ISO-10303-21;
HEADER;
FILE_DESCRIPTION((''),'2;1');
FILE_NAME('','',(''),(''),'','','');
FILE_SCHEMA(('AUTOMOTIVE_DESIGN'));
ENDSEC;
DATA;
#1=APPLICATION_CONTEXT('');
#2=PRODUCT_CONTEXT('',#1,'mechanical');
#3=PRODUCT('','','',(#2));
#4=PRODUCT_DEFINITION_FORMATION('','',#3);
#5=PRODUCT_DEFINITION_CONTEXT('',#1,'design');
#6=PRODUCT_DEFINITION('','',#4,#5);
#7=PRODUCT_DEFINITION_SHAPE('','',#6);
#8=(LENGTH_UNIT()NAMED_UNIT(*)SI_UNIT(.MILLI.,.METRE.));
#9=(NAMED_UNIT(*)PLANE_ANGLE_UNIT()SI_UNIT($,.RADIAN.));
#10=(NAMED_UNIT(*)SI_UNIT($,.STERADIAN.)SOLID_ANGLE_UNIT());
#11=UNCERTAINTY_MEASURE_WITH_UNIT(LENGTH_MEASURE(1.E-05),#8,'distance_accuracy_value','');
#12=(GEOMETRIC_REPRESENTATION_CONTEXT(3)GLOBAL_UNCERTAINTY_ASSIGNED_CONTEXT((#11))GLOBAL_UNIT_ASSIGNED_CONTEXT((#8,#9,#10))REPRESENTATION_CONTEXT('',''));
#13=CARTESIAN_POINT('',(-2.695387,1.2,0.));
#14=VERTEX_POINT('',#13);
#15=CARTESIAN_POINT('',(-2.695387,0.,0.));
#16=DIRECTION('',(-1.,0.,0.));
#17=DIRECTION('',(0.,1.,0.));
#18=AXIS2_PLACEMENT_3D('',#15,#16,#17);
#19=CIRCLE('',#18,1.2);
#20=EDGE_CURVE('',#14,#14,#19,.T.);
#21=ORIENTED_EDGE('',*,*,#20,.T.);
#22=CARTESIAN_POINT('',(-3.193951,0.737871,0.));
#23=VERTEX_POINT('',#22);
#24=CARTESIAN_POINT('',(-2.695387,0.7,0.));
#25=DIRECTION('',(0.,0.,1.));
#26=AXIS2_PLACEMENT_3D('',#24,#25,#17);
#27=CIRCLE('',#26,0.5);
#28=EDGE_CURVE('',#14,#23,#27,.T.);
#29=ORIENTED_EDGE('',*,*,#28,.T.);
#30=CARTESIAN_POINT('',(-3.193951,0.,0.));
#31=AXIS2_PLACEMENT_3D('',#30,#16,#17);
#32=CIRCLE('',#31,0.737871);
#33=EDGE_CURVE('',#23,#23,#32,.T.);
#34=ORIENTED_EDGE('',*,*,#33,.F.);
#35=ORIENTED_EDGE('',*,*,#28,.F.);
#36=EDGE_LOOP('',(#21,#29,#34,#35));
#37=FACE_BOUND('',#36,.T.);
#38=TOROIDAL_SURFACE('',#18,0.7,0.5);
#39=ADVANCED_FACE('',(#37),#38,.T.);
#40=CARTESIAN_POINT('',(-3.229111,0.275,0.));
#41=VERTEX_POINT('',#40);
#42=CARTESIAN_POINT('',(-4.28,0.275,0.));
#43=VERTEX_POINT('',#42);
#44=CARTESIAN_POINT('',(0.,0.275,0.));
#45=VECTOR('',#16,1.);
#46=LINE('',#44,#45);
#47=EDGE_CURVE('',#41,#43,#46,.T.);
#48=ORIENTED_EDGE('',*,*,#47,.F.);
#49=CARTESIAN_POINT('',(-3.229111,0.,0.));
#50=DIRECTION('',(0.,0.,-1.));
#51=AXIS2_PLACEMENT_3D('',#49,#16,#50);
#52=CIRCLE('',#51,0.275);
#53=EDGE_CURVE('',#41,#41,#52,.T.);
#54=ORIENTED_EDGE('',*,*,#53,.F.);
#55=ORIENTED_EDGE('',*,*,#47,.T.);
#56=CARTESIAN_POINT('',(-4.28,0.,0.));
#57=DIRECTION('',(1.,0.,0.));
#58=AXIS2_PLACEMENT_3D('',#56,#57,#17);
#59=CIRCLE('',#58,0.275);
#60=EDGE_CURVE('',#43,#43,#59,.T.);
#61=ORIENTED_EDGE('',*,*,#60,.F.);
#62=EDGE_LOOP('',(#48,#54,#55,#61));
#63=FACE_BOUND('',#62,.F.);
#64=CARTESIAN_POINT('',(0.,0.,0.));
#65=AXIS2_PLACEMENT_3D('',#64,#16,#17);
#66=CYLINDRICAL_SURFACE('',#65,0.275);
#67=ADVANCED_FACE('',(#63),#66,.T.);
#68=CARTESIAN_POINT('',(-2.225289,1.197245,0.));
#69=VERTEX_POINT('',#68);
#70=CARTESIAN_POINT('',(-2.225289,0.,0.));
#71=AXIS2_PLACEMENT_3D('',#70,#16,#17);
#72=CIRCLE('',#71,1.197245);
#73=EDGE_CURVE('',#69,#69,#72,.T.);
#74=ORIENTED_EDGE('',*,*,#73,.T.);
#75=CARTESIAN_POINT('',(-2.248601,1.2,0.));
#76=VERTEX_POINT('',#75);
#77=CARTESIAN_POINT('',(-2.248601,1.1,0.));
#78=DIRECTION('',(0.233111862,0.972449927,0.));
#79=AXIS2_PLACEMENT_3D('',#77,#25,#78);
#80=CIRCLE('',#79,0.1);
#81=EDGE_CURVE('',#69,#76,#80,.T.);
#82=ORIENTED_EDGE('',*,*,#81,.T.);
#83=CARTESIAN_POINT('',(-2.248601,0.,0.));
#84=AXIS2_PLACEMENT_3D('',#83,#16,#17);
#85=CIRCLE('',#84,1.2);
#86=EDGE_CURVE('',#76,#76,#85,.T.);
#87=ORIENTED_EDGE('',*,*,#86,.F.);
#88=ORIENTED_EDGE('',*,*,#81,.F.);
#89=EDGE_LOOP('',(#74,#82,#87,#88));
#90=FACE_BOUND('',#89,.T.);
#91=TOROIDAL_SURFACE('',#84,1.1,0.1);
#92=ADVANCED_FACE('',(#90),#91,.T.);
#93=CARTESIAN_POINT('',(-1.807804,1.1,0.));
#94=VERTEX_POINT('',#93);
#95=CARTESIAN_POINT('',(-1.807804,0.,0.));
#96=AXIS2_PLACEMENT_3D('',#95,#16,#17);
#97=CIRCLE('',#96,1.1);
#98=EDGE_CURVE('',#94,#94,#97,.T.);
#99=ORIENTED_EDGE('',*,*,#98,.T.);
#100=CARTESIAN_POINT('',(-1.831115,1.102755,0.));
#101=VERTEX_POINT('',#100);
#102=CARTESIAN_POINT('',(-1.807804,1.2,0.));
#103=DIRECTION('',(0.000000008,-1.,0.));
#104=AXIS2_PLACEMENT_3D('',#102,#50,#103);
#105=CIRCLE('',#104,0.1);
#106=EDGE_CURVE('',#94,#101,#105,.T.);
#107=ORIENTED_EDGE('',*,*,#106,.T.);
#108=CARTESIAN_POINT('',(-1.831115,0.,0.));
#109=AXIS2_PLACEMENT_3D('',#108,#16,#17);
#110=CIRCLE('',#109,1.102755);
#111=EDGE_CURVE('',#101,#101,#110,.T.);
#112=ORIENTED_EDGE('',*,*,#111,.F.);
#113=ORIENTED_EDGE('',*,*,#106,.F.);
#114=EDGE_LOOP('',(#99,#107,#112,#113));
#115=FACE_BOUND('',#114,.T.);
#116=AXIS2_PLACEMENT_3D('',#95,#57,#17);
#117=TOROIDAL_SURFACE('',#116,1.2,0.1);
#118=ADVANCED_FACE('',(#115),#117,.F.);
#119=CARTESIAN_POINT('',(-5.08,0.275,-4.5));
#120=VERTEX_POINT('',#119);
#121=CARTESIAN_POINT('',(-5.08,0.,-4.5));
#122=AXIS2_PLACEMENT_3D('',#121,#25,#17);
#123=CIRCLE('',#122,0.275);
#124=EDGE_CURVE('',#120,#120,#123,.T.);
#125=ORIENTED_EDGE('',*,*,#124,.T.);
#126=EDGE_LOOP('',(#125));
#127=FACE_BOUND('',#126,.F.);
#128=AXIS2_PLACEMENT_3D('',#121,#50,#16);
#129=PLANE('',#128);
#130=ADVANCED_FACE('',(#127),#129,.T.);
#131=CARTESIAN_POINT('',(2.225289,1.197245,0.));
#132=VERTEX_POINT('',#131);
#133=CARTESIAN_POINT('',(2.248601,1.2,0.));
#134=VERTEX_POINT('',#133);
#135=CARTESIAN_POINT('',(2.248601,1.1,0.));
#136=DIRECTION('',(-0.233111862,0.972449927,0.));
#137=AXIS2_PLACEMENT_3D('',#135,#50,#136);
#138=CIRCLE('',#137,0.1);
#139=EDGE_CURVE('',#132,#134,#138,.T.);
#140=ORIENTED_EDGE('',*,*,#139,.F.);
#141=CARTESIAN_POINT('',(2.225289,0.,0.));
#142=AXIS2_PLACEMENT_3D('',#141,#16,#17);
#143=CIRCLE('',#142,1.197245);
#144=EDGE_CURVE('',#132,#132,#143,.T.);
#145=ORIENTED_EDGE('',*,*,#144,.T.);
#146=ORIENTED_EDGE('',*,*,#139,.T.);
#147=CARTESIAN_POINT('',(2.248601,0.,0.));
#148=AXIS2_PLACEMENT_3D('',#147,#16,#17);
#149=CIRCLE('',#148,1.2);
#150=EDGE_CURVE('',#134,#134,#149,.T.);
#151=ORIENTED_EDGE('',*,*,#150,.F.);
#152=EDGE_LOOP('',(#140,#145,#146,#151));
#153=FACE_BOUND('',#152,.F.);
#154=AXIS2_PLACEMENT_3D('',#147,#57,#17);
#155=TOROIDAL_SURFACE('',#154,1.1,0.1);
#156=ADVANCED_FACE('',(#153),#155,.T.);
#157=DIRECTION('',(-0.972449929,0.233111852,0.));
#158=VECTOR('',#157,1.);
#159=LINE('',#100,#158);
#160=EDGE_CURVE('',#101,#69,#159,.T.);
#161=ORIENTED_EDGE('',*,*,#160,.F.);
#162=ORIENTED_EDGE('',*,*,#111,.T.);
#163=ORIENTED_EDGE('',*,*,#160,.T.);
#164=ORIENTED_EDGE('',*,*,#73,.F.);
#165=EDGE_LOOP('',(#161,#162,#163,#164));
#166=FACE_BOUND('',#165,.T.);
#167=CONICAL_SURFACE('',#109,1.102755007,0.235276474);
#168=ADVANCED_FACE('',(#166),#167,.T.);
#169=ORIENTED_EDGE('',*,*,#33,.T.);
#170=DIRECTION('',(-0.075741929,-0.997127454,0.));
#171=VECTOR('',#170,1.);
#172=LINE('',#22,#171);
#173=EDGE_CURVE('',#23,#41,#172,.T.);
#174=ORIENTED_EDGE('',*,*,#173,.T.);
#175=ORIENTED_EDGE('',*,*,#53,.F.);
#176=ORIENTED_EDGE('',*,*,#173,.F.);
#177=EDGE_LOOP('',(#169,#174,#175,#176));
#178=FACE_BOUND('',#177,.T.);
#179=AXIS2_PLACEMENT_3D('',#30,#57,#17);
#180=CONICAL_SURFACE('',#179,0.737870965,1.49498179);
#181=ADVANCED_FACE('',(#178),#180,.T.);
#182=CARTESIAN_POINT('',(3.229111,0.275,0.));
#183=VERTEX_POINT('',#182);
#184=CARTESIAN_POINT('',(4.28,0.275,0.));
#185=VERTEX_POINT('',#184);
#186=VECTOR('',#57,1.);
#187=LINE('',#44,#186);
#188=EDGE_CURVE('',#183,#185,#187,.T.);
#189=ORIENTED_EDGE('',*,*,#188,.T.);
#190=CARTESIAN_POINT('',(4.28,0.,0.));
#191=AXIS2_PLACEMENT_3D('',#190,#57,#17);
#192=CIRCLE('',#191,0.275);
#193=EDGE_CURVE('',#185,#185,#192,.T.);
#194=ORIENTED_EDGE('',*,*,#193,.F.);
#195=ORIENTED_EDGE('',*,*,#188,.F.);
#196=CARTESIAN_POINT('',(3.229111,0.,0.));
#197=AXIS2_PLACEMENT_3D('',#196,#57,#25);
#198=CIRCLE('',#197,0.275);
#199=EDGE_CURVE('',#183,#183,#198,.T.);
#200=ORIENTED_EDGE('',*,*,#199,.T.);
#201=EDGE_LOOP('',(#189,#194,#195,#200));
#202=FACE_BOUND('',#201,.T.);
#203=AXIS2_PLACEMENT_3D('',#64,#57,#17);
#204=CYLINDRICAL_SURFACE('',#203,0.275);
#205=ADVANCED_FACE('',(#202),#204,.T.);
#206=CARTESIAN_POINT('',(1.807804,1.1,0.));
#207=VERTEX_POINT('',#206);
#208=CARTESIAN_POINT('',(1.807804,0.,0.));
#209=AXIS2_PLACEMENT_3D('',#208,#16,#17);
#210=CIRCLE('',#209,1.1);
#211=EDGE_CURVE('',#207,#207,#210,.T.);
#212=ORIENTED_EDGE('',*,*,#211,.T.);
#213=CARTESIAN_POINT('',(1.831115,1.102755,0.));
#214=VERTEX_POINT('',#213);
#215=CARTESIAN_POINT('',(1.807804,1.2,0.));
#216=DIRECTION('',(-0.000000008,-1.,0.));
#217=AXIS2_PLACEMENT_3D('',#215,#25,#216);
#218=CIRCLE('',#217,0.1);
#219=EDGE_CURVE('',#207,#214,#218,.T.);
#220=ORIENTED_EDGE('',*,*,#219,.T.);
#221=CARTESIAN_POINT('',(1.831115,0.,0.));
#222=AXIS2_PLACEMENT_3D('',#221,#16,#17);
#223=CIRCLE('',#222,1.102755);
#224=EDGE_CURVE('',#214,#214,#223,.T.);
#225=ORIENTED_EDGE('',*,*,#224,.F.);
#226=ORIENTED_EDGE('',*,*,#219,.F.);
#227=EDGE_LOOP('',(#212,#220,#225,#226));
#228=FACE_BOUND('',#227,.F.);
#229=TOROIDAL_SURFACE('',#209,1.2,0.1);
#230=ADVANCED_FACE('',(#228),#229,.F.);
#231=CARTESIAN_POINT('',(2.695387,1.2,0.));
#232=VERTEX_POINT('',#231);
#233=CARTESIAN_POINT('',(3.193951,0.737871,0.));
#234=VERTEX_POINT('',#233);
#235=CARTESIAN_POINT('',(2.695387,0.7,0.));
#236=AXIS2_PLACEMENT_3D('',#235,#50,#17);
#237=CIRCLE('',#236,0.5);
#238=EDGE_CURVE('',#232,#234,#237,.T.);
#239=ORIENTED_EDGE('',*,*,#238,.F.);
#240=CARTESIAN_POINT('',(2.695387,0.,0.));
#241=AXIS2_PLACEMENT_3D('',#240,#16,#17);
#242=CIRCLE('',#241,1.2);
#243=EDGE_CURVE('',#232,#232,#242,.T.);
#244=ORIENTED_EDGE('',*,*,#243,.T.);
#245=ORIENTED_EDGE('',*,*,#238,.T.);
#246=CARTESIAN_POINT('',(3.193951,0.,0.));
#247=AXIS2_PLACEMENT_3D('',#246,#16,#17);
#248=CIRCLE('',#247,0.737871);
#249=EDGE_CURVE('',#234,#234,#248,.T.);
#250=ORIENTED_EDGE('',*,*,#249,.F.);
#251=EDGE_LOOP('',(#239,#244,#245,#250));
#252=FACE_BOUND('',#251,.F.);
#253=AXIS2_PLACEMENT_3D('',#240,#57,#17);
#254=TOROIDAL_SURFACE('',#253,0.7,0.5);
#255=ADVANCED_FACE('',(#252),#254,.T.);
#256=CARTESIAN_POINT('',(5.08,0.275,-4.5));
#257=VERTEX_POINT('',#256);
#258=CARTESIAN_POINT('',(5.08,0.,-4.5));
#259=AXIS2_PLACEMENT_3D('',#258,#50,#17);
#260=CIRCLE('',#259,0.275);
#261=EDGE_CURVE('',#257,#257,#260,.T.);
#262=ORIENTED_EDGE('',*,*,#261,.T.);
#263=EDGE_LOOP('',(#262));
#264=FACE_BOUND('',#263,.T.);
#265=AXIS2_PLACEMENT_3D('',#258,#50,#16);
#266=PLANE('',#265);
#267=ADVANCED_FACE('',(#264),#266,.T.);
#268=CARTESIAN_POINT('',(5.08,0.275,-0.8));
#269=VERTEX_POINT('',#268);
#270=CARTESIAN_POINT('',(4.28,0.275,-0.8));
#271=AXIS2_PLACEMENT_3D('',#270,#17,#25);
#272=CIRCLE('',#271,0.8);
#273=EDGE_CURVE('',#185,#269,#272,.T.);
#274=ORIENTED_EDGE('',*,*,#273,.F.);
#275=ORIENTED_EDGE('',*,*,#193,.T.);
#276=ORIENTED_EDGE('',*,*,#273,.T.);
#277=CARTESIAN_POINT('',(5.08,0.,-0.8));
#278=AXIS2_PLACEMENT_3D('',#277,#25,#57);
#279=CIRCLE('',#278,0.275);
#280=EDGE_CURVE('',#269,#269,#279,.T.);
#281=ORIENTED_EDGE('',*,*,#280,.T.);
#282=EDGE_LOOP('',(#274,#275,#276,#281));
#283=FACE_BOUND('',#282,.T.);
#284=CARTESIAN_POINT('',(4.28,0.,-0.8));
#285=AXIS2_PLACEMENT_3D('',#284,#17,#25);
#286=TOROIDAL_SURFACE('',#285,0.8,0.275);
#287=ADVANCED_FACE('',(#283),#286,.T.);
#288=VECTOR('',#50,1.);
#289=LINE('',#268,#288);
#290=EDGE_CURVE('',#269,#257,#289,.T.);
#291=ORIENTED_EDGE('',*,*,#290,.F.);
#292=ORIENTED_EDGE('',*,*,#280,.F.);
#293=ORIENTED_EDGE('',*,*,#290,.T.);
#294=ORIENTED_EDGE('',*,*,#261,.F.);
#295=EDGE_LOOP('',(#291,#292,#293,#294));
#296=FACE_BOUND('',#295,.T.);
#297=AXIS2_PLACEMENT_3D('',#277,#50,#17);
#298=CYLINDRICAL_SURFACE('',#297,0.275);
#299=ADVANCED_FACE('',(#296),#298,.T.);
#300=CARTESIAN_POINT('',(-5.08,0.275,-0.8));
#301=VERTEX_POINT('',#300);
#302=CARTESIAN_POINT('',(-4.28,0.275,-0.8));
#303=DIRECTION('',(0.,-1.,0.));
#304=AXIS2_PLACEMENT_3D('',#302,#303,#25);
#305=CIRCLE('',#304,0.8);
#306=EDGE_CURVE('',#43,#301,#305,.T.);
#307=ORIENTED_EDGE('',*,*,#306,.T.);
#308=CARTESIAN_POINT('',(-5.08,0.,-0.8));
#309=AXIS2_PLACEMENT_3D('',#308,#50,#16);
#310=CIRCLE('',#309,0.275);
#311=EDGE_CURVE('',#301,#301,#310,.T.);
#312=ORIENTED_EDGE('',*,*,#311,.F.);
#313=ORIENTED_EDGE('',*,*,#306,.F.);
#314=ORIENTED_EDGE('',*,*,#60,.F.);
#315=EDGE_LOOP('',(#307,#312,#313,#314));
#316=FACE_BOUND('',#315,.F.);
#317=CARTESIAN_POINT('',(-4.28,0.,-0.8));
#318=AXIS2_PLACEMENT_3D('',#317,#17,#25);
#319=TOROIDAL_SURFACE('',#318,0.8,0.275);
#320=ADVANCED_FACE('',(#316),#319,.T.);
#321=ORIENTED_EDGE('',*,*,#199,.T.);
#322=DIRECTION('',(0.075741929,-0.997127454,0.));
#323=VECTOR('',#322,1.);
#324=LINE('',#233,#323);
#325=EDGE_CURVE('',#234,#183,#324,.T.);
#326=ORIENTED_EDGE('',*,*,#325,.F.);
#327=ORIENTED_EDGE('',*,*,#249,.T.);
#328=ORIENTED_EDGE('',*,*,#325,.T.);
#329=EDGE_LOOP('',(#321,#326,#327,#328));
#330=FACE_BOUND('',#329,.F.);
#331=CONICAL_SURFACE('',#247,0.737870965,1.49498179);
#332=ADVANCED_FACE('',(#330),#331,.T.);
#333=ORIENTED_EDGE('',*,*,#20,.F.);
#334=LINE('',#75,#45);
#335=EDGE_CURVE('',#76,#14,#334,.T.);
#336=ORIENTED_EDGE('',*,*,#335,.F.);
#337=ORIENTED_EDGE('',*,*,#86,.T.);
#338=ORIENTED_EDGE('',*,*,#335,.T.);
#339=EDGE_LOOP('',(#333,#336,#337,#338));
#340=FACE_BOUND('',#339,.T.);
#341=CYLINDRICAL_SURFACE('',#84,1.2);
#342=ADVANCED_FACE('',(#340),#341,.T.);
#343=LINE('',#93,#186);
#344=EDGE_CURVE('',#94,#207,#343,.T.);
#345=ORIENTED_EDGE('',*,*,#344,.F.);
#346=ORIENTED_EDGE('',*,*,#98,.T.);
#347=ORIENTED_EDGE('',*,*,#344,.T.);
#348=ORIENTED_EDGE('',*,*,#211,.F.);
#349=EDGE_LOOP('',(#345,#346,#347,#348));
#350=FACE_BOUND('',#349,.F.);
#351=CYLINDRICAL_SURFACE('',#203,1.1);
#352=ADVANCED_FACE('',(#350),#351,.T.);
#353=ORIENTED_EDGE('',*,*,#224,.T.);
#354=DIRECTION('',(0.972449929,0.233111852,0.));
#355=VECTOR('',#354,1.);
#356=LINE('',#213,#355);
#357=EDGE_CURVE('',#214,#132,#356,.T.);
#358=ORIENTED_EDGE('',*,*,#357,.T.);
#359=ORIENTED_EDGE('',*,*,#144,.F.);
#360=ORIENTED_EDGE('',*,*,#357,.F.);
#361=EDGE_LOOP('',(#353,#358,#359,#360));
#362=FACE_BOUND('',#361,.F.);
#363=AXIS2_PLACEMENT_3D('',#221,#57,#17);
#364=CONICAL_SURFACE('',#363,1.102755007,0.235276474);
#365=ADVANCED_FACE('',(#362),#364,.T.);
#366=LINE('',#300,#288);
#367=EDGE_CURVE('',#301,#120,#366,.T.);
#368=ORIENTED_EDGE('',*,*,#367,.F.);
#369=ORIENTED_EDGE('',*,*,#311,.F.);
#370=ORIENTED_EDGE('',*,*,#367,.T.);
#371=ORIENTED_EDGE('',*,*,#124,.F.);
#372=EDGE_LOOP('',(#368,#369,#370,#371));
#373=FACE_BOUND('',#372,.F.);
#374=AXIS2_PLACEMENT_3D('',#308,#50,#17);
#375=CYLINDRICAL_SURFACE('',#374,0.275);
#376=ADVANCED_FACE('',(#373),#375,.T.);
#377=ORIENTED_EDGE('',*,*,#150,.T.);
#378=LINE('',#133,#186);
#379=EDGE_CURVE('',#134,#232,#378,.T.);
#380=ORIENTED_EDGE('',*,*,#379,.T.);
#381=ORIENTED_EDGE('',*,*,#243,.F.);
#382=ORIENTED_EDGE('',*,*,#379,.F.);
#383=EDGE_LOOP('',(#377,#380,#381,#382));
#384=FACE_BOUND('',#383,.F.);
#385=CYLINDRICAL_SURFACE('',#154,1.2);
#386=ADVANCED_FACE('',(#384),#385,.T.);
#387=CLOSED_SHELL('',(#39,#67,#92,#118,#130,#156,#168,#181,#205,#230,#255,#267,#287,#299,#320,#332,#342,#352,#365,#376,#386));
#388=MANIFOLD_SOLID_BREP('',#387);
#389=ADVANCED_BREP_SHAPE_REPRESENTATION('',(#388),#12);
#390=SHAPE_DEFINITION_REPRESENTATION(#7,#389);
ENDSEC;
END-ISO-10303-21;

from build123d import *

# Parameters (mm, degrees)
F3_R = 0.275


with BuildPart() as f1:
    # F0 (on Top) → F1 (revolve)
    with BuildSketch(Plane.XY):
        with BuildLine():
            Line((-3.1939512269, 0.7378709646), (-3.25, 0))
            Line((-3.25, 0), (0, 0))
            Line((0, 0), (0, 1.1))
            Line((0, 1.1), (-1.8078035141, 1.1))
            ThreePointArc((-1.8078035141, 1.1), (-1.8195402238, 1.1006911401), (-1.8311146993, 1.1027550071))
            Line((-1.8311146993, 1.1027550071), (-2.2252893382, 1.1972449929))
            ThreePointArc((-2.2252893382, 1.1972449929), (-2.2368638136, 1.1993088599), (-2.2486005233, 1.2))
            Line((-2.2486005233, 1.2), (-2.6953874998, 1.2))
            ThreePointArc((-2.6953874998, 1.2), (-3.0352878658, 1.0666984335), (-3.1939512269, 0.7378709646))
        make_face()
    revolve(axis=Axis((-1.625, 0, 0), (-1, 0, 0)))

    # F2: F1 across face


with BuildPart() as f1_1:
    add(f1.part)
    add(f1.part.mirror(Plane.YZ))



with BuildPart() as f5:
    # F5: sweep along a path in F4
    with BuildLine(Plane.XZ) as f5_path:
        Line((0, 0), (4.28, 0))
        ThreePointArc((4.28, 0), (4.8456854249, -0.2343145751), (5.08, -0.8))
        Line((5.08, -0.8), (5.08, -4.5))
    # F3 (on Right) → F5 (sweep)
    with BuildSketch(Plane.YZ):
        Circle(F3_R)
    sweep(path=f5_path.line)


with BuildPart() as f1_2:
    add(f1_1.part)

    add(f5.part)  # F6 merges F5
    # F6: F5 across plane
    add(f5.part.mirror(Plane.YZ))


solid = f1_2.part
